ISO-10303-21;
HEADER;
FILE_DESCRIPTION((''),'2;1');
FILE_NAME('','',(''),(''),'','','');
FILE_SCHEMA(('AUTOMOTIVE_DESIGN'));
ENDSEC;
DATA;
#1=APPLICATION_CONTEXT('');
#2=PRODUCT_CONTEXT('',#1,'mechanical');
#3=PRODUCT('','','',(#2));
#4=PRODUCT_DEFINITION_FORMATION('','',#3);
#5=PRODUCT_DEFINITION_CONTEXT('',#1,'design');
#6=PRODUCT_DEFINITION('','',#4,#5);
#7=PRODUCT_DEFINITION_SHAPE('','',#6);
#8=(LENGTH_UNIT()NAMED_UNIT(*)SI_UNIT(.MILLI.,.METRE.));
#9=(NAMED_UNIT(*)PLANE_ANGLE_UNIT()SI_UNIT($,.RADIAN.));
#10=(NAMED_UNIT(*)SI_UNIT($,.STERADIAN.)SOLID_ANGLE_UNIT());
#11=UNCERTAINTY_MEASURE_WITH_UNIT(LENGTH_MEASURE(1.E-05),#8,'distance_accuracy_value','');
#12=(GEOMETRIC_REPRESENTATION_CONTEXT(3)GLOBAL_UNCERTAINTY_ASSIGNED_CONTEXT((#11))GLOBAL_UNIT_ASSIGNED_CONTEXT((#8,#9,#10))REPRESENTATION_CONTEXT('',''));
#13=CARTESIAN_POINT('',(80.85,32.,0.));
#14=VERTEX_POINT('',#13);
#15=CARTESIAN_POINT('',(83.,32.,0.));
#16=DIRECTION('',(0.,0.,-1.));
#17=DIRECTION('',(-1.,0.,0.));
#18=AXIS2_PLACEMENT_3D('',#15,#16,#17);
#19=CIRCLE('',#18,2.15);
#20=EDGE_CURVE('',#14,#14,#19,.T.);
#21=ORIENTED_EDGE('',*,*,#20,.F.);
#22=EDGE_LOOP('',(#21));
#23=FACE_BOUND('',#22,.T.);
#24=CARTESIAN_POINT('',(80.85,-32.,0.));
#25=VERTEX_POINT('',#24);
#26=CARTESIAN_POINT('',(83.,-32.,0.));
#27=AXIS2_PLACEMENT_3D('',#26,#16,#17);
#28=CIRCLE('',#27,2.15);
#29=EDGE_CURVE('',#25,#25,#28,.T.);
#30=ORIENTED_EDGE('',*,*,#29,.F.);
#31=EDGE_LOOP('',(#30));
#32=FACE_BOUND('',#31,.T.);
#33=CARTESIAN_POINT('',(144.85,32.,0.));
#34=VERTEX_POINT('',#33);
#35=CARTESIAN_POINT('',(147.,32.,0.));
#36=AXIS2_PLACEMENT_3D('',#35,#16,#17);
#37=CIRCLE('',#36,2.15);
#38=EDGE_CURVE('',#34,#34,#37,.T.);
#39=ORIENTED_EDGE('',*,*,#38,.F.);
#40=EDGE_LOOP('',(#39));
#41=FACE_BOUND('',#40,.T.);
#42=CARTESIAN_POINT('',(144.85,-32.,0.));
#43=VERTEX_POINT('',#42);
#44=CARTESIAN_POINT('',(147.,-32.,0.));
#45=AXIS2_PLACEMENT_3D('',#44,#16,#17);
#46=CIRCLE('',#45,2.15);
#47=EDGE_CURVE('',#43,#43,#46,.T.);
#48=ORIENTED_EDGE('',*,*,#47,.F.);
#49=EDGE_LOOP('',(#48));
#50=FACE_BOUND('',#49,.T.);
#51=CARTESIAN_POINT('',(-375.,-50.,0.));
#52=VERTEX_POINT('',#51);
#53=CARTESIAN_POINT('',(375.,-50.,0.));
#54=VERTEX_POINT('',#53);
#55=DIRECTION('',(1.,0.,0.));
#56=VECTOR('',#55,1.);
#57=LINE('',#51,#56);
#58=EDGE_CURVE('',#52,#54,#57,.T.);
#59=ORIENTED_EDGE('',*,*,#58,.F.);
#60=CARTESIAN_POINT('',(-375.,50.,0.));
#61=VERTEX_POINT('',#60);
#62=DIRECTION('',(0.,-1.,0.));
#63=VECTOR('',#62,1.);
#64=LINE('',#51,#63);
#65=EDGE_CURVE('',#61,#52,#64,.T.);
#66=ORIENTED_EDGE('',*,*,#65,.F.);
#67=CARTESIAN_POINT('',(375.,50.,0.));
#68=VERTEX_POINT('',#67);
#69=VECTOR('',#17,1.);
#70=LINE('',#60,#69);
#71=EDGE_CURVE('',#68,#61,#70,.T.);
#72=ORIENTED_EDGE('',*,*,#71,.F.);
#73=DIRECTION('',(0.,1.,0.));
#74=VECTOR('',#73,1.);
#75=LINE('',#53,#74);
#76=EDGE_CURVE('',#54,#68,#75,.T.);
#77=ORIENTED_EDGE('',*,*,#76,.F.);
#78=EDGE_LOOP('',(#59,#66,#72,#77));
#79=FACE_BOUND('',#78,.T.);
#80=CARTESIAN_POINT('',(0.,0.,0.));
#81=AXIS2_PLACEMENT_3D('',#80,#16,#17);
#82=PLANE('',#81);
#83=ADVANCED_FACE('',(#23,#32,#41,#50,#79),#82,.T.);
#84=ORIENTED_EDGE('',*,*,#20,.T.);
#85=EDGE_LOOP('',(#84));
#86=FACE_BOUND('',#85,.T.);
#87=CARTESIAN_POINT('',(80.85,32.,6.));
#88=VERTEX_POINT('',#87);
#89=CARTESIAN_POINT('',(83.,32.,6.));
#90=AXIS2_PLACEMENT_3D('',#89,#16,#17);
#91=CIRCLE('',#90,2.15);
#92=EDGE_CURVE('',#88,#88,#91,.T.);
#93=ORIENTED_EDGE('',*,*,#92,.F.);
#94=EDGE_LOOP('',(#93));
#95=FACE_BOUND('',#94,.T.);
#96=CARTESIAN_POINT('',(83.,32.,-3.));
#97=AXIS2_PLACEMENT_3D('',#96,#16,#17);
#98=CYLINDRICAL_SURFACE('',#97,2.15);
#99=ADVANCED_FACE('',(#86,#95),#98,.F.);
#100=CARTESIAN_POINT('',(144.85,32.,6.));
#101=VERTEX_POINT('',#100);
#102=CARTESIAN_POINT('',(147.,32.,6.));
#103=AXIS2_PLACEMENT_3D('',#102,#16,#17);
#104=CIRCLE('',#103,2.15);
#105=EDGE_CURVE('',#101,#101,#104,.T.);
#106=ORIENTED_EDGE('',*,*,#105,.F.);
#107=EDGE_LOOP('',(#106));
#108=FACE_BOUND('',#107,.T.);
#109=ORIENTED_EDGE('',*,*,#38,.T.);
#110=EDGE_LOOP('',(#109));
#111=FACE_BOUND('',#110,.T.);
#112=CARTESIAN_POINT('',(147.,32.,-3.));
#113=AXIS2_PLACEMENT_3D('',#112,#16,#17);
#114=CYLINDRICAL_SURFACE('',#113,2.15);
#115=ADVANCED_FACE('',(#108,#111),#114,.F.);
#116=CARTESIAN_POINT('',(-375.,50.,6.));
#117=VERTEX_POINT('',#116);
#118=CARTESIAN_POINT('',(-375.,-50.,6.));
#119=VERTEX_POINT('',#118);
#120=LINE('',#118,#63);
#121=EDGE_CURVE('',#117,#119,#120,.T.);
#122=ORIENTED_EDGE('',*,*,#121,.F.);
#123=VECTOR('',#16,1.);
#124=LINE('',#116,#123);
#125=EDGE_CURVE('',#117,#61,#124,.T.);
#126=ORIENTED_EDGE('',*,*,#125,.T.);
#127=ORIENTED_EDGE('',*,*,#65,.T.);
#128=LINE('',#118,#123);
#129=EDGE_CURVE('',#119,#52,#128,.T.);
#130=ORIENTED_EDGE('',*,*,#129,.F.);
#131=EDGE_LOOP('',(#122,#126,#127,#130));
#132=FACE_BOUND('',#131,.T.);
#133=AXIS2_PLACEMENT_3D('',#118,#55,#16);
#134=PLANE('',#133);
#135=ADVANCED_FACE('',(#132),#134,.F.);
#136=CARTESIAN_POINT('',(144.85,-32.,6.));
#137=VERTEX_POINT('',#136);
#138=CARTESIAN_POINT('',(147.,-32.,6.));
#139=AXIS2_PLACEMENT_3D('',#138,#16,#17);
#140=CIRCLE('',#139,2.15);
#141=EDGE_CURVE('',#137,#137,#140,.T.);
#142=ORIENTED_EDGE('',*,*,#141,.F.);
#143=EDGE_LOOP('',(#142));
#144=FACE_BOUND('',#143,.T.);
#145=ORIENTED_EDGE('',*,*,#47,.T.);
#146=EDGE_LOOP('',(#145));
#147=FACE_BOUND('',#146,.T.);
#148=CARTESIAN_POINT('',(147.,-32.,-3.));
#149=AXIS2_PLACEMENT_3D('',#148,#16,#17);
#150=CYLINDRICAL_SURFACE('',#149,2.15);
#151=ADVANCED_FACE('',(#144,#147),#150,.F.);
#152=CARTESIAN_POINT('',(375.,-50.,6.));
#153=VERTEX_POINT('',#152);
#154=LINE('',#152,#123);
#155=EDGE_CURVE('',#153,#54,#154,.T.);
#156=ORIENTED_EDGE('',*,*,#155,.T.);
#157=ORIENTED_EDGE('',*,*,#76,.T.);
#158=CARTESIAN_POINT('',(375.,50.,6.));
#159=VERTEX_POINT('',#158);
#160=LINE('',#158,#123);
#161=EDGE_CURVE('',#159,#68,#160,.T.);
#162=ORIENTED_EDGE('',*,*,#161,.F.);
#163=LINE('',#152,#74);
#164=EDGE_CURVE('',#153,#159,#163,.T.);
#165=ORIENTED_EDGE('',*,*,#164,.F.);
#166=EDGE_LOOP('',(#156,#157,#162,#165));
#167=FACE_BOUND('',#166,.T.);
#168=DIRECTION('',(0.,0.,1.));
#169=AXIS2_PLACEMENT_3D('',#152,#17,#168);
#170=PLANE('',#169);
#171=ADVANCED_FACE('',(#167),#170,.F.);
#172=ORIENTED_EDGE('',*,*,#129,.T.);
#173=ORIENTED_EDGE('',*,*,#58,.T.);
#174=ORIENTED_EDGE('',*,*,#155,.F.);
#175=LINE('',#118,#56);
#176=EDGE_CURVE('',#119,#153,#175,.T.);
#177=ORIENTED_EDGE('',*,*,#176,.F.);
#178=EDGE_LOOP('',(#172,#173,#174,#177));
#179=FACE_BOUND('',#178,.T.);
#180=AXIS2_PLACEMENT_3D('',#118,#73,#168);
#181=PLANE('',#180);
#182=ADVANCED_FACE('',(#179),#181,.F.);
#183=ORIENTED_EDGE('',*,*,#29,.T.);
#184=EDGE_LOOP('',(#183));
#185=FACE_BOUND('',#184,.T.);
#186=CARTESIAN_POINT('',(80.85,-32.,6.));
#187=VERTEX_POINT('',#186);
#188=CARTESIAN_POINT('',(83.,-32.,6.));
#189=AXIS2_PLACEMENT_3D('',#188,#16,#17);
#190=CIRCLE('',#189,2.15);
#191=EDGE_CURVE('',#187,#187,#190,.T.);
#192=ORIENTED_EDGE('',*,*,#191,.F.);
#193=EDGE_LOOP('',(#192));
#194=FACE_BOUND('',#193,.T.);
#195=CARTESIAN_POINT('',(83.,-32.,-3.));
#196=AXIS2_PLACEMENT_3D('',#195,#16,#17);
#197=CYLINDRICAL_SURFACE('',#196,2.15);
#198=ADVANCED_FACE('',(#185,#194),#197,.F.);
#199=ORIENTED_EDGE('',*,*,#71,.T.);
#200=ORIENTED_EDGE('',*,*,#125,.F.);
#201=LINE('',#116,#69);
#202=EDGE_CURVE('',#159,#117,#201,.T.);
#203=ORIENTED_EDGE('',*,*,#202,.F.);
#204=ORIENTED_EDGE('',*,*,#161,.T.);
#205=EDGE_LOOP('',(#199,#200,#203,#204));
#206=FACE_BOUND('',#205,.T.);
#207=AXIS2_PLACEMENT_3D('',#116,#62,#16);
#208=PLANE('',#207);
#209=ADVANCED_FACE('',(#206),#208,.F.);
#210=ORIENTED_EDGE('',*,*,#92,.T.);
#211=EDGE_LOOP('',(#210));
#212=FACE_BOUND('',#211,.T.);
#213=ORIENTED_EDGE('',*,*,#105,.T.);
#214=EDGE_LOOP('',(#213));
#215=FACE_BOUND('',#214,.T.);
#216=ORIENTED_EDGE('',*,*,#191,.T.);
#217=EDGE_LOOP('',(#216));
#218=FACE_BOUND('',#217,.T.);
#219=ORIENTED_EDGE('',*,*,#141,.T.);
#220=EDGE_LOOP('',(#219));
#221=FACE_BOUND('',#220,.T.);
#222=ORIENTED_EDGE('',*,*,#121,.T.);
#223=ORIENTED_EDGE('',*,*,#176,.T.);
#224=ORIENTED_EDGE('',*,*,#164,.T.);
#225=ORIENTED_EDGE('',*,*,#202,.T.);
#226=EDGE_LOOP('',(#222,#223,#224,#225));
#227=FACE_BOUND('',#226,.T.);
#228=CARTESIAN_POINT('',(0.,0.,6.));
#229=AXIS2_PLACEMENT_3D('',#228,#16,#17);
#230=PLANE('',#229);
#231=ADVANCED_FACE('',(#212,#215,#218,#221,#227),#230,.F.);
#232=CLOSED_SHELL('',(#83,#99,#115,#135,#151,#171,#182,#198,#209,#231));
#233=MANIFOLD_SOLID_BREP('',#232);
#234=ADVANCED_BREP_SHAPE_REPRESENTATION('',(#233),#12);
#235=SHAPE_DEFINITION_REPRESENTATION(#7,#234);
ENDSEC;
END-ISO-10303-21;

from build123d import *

# Parameters (mm, degrees)
ESQUISSE1_W                     = 750
ESQUISSE1_H                     = 100
BOSS_EXTRU_1_DEPTH              = 6
D_GAGEMENT_M43_D                = 4.3
R_P_TITION_LIN_AIRE1_COUNT      = 2
R_P_TITION_LIN_AIRE1_PITCH      = 64
R_P_TITION_LIN_AIRE1_COUNT_DIR2 = 2
R_P_TITION_LIN_AIRE1_PITCH_DIR2 = 64


with BuildPart() as part:
    # Esquisse1 → Boss.-Extru.1 (new body)
    with BuildSketch(Plane.XY):
        Rectangle(ESQUISSE1_W, ESQUISSE1_H)
    extrude(amount=BOSS_EXTRU_1_DEPTH)

    # Dégagement M43 (through all)
    with Locations(Plane(origin=(111.028323747, 8.062718608, -3), x_dir=(-1, 0, 0), z_dir=(0, 0, -1))):
        with Locations((28.028323747, -40.06271861)):
            d_gagement_m43 = Hole(D_GAGEMENT_M43_D / 2)

    # Répétition linéaire1: D_gagement M43 2 × 2
    with Locations(*[(i * R_P_TITION_LIN_AIRE1_PITCH, j * R_P_TITION_LIN_AIRE1_PITCH_DIR2, 0) for i in range(R_P_TITION_LIN_AIRE1_COUNT) for j in range(R_P_TITION_LIN_AIRE1_COUNT_DIR2) if (i, j) != (0, 0)]):
        add(d_gagement_m43, mode=Mode.SUBTRACT)


solid = part.part
